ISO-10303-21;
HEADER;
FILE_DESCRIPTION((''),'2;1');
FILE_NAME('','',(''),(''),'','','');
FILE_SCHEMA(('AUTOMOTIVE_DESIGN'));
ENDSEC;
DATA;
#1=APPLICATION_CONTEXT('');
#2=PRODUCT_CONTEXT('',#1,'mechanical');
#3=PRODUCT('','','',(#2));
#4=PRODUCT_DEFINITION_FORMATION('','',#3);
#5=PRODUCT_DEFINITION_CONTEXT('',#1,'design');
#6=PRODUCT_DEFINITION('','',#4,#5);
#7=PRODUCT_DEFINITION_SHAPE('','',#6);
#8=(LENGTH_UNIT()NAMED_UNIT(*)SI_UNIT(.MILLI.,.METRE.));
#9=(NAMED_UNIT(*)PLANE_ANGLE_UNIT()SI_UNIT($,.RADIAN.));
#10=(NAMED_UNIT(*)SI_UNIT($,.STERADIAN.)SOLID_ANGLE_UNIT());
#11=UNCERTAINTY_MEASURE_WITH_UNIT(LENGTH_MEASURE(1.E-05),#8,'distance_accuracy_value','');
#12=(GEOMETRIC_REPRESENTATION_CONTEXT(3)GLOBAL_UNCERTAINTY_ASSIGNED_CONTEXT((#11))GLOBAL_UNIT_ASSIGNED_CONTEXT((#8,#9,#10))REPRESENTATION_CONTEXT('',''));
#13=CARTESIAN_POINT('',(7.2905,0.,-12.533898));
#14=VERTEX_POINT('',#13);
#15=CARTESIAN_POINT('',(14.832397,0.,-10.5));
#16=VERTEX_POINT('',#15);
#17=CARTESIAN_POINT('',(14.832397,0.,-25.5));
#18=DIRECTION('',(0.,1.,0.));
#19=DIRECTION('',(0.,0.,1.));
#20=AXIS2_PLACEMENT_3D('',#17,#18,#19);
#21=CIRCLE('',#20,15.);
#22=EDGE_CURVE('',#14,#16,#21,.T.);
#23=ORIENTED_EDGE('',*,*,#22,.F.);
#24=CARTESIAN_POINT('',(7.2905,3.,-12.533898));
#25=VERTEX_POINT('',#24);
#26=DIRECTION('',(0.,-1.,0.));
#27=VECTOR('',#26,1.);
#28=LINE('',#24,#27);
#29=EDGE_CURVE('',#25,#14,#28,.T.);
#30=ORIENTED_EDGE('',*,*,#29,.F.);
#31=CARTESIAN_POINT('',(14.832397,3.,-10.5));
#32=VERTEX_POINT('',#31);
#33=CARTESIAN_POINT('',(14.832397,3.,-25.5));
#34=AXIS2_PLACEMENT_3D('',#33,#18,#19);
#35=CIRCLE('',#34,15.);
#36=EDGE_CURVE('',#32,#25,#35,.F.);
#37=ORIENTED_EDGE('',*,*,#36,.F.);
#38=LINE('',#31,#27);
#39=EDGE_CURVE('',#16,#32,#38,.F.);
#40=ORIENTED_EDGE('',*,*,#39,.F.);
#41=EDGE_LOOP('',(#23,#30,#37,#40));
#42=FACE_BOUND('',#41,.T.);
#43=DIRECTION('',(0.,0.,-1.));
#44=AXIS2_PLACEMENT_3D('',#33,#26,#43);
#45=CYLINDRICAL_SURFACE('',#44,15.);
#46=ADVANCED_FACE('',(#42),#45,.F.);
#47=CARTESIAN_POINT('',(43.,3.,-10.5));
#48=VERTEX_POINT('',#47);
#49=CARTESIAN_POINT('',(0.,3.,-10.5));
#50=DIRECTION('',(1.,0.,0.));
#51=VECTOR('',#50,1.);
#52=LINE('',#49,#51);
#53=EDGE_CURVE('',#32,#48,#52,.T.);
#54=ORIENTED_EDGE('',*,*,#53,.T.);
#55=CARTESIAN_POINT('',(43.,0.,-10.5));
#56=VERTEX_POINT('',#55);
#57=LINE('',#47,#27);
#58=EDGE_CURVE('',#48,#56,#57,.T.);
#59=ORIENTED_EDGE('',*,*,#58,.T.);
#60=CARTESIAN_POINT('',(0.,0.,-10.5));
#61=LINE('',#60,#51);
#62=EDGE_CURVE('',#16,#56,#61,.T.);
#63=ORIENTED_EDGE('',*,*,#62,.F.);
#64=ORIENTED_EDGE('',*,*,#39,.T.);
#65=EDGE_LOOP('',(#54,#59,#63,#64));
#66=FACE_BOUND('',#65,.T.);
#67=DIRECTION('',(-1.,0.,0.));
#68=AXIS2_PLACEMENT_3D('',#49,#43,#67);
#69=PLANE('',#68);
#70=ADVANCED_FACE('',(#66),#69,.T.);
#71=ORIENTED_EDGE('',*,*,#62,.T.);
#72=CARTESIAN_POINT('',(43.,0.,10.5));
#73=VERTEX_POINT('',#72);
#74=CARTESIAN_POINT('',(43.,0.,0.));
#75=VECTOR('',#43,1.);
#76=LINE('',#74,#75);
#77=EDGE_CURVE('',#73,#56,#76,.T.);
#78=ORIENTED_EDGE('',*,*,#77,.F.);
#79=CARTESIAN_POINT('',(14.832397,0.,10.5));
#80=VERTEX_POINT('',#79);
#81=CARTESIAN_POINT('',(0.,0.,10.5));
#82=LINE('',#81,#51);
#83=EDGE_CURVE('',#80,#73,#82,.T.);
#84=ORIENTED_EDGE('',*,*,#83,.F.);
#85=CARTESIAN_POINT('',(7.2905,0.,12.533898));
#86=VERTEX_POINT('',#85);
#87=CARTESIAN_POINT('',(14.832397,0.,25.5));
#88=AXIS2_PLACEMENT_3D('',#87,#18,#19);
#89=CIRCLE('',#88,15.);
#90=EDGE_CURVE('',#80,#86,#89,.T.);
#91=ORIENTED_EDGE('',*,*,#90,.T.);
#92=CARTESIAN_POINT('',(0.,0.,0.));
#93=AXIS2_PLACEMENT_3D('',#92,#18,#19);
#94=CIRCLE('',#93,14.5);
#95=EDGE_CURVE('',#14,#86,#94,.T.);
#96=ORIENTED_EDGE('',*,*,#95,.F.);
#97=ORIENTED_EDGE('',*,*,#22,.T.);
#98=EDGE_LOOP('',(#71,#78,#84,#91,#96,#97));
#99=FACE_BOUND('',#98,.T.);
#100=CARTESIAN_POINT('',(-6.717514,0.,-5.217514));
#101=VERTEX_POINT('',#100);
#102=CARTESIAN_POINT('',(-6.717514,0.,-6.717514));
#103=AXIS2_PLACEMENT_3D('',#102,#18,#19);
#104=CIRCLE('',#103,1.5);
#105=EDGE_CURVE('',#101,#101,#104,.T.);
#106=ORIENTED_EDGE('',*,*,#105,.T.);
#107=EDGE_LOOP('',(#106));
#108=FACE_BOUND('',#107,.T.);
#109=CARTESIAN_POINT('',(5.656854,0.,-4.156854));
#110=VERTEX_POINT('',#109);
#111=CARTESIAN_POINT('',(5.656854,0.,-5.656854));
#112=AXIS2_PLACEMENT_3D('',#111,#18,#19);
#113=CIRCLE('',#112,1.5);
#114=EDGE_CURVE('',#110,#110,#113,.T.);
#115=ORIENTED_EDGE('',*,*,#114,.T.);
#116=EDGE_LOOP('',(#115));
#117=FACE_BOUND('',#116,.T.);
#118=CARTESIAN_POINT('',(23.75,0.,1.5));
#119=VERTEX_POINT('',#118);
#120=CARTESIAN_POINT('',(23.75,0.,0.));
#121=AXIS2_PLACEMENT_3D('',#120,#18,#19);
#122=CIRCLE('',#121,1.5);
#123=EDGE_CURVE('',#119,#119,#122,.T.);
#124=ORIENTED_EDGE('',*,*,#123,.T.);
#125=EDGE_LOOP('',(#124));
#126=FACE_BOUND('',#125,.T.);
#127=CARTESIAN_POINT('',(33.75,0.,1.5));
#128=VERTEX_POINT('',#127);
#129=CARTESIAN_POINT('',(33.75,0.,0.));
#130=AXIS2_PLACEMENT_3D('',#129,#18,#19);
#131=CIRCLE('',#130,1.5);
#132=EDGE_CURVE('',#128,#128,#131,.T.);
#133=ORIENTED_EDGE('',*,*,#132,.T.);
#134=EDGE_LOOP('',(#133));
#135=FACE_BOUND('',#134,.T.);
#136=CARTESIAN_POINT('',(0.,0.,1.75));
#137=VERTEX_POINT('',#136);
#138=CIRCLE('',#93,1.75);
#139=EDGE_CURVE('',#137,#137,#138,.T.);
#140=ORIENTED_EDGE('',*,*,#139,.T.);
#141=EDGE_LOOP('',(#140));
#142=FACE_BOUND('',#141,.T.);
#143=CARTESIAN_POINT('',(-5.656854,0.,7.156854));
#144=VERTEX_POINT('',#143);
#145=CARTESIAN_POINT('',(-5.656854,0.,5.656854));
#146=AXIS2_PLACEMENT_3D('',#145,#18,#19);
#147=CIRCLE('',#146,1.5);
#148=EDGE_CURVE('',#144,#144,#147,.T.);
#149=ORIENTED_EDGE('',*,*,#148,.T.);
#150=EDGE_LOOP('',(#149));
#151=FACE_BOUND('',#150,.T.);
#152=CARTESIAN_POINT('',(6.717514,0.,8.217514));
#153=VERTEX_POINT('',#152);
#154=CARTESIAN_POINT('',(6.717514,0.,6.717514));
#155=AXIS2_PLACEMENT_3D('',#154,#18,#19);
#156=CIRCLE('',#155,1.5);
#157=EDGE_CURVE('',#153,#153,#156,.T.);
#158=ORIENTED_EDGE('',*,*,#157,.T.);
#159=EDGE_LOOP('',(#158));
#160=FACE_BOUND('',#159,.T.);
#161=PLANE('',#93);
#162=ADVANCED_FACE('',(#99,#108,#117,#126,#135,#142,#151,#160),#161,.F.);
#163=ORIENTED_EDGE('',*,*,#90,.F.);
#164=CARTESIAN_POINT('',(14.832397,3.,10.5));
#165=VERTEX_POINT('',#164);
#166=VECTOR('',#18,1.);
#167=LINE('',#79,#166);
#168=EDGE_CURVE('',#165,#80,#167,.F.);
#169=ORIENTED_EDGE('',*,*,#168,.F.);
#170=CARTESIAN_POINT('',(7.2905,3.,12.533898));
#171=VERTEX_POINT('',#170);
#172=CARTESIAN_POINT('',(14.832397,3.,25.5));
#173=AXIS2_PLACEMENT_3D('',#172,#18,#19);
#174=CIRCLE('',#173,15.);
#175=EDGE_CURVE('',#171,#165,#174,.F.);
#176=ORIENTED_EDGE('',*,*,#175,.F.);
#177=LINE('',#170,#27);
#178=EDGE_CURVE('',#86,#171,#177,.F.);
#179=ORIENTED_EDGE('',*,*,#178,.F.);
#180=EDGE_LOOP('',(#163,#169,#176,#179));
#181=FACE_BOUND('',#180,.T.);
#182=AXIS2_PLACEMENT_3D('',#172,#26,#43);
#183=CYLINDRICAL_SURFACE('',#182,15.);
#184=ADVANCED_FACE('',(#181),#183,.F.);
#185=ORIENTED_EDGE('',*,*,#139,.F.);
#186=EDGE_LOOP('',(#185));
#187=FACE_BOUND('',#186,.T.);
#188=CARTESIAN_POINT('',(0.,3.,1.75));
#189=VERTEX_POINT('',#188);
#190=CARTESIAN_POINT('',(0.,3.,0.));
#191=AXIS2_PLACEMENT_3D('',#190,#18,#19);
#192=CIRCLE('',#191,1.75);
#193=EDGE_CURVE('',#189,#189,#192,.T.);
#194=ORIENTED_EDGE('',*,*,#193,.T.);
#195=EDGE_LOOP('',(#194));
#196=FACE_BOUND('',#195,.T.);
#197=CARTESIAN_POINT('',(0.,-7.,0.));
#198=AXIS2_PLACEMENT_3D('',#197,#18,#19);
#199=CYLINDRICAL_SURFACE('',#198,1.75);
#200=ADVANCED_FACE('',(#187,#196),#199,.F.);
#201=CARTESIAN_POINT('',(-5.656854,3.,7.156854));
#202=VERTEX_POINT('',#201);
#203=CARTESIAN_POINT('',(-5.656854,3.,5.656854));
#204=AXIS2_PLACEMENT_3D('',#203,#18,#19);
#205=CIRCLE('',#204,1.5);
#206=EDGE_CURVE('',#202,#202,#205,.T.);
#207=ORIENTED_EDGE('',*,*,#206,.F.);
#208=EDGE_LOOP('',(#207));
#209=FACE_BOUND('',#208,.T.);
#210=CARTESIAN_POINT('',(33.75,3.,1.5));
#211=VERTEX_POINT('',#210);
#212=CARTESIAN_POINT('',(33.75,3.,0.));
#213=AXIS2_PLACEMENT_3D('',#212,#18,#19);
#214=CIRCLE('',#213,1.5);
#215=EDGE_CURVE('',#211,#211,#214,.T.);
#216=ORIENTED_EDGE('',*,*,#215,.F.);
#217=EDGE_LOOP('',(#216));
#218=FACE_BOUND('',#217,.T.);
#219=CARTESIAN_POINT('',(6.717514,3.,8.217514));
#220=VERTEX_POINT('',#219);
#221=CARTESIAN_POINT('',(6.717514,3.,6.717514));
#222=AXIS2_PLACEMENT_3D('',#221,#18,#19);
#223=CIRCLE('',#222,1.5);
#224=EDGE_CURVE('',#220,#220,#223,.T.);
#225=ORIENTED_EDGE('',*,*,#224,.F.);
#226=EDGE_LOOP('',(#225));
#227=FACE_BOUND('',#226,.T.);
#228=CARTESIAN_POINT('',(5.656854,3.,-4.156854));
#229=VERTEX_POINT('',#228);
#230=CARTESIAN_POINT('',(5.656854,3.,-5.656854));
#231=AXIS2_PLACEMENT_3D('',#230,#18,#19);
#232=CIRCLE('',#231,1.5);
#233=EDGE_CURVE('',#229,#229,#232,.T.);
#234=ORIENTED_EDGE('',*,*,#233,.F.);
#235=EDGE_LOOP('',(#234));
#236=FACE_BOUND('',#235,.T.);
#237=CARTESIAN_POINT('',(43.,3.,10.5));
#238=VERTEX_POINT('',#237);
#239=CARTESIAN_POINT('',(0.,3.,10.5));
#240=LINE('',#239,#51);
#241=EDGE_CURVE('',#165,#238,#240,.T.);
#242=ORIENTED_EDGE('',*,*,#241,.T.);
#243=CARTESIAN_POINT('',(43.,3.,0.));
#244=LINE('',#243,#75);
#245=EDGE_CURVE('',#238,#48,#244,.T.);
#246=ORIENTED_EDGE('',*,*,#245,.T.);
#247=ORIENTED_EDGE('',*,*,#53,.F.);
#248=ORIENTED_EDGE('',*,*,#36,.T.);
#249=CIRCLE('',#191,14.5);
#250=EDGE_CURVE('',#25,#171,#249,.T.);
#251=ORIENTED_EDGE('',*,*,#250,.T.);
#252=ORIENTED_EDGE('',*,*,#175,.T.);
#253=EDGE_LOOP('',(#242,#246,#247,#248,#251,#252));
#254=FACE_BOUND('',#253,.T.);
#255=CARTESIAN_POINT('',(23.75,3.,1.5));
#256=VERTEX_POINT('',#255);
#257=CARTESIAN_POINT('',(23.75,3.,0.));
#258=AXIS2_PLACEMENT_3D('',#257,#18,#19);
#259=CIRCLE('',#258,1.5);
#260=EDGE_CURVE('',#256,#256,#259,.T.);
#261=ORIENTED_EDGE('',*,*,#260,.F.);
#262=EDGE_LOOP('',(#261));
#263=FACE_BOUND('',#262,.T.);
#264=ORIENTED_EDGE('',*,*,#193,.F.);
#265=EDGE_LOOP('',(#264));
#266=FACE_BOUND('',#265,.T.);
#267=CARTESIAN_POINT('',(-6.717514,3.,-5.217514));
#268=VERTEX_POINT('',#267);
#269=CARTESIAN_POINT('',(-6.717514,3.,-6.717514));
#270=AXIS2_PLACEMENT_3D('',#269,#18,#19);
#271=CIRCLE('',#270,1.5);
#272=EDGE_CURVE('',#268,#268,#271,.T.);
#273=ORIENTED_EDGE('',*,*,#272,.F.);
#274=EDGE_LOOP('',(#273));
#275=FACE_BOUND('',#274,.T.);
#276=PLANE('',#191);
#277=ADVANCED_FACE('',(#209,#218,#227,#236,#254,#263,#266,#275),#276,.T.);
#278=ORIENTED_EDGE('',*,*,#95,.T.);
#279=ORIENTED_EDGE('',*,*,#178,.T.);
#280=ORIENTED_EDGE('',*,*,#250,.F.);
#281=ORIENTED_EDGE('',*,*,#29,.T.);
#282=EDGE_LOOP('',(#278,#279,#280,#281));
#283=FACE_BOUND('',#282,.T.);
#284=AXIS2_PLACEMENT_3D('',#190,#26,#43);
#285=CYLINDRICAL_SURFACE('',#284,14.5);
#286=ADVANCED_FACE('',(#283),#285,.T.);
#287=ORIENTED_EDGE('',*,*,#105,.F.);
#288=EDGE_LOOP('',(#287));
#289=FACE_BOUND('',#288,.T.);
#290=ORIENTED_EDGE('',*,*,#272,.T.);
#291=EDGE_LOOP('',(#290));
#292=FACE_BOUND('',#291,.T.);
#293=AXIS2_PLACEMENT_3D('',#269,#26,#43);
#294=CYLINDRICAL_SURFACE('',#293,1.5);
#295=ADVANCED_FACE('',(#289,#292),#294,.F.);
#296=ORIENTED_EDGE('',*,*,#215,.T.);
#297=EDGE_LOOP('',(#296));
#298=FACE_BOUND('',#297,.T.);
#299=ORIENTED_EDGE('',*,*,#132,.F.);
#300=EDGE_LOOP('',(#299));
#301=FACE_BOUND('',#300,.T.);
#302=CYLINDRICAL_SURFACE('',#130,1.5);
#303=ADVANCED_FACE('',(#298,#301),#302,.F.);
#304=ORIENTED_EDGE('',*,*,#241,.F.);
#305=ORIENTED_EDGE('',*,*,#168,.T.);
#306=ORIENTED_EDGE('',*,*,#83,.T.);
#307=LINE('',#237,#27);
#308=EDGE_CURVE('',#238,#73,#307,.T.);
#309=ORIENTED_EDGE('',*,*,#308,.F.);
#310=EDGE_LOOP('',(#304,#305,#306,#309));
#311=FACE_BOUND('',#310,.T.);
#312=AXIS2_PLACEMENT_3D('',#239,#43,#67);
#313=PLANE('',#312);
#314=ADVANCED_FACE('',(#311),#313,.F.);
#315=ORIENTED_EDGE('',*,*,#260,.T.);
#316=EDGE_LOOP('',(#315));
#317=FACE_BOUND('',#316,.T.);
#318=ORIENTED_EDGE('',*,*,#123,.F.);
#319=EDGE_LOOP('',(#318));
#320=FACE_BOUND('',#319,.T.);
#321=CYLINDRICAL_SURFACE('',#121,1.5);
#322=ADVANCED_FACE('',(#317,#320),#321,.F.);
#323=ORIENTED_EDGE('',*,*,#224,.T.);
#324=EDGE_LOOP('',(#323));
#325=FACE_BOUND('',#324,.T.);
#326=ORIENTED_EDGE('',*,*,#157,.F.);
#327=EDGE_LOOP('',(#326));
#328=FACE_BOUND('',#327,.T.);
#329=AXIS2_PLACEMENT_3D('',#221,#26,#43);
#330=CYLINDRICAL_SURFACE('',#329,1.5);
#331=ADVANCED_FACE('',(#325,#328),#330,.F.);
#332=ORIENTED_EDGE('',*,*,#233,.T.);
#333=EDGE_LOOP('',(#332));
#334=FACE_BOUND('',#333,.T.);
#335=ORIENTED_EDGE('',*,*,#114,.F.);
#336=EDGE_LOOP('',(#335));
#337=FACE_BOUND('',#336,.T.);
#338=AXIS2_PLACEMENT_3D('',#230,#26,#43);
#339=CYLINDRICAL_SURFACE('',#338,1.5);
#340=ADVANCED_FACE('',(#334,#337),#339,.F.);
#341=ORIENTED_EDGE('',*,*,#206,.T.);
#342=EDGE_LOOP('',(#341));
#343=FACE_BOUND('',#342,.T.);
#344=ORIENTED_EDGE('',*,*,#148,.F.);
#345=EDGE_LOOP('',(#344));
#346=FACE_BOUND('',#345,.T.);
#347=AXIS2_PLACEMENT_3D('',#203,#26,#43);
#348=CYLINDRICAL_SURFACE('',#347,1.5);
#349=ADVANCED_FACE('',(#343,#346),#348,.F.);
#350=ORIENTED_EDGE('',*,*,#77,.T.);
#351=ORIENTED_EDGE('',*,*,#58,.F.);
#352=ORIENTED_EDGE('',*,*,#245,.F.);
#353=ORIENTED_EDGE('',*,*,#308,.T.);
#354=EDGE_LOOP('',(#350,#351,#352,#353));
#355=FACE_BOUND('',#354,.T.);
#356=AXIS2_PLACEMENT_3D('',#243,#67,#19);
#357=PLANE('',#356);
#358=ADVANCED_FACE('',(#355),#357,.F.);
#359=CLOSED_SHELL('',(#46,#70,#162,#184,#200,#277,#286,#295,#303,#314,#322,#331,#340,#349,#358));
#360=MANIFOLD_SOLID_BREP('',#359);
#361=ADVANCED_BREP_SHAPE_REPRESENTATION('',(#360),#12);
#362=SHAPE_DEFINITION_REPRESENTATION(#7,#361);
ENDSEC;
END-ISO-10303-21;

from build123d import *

# Parameters (mm, degrees)
SKETCH1_R           = 14.5
SKETCH1_R_2         = 1.5
SKETCH1_W           = 33
SKETCH1_H           = 21
BOSS_EXTRUDE1_DEPTH = 3
FILLET1_R           = 15
SKETCH2_R           = 1.5
CUT_EXTRUDE1_DEPTH  = 3
SKETCH4_R           = 1.75
CUT_EXTRUDE2_DEPTH  = 10


with BuildPart() as part:
    # Sketch1 → Boss-Extrude1 (new body)
    # profile 1 of 2: a face of its own
    with BuildSketch(Plane(origin=(0, 0, 0), x_dir=(1, 0, 0), z_dir=(0, 1, 0))):
        Circle(SKETCH1_R)
        with Locations(Location((-6.717514421, 6.717514421, 0), (0, 0, 270))):
            Circle(SKETCH1_R_2, mode=Mode.SUBTRACT)
        with Locations(Location((5.656854249, 5.656854249, 0), (0, 0, 270))):
            Circle(SKETCH1_R_2, mode=Mode.SUBTRACT)
        with Locations(Location((-5.656854249, -5.656854249, 0), (0, 0, 270))):
            Circle(SKETCH1_R_2, mode=Mode.SUBTRACT)
        with Locations(Location((6.717514421, -6.717514421, 0), (0, 0, 270))):
            Circle(SKETCH1_R_2, mode=Mode.SUBTRACT)
    # profile 2 of 2: a face of its own
    with BuildSketch(Plane(origin=(0, 0, 0), x_dir=(1, 0, 0), z_dir=(0, 1, 0))):
        with Locations((26.5, 0)):
            Rectangle(SKETCH1_W, SKETCH1_H)
    extrude(amount=BOSS_EXTRUDE1_DEPTH)

    # Fillet1
    fillet1_edges = [part.edges().sort_by_distance(p)[0] for p in [
        (10, 1.5, -10.5),
        (10, 1.5, 10.5),
    ]]
    fillet(fillet1_edges, radius=FILLET1_R)

    # Sketch2 → Cut-Extrude1 (cut)
    with BuildSketch(Plane(origin=(0, 3, 0), x_dir=(1, 0, 0), z_dir=(0, 1, 0))):
        with Locations(Location((23.75, 0, 0), (0, 0, 270))):
            Circle(SKETCH2_R)
        with Locations(Location((33.75, 0, 0), (0, 0, 270))):
            Circle(SKETCH2_R)
    extrude(amount=-CUT_EXTRUDE1_DEPTH, mode=Mode.SUBTRACT)

    # Sketch4 → Cut-Extrude2 (cut)
    with BuildSketch(Plane(origin=(0, 3, 0), x_dir=(1, 0, 0), z_dir=(0, 1, 0))):
        with Locations(Location((0, 0, 0), (0, 0, 270))):
            Circle(SKETCH4_R)
    extrude(amount=-CUT_EXTRUDE2_DEPTH, mode=Mode.SUBTRACT)


solid = part.part
